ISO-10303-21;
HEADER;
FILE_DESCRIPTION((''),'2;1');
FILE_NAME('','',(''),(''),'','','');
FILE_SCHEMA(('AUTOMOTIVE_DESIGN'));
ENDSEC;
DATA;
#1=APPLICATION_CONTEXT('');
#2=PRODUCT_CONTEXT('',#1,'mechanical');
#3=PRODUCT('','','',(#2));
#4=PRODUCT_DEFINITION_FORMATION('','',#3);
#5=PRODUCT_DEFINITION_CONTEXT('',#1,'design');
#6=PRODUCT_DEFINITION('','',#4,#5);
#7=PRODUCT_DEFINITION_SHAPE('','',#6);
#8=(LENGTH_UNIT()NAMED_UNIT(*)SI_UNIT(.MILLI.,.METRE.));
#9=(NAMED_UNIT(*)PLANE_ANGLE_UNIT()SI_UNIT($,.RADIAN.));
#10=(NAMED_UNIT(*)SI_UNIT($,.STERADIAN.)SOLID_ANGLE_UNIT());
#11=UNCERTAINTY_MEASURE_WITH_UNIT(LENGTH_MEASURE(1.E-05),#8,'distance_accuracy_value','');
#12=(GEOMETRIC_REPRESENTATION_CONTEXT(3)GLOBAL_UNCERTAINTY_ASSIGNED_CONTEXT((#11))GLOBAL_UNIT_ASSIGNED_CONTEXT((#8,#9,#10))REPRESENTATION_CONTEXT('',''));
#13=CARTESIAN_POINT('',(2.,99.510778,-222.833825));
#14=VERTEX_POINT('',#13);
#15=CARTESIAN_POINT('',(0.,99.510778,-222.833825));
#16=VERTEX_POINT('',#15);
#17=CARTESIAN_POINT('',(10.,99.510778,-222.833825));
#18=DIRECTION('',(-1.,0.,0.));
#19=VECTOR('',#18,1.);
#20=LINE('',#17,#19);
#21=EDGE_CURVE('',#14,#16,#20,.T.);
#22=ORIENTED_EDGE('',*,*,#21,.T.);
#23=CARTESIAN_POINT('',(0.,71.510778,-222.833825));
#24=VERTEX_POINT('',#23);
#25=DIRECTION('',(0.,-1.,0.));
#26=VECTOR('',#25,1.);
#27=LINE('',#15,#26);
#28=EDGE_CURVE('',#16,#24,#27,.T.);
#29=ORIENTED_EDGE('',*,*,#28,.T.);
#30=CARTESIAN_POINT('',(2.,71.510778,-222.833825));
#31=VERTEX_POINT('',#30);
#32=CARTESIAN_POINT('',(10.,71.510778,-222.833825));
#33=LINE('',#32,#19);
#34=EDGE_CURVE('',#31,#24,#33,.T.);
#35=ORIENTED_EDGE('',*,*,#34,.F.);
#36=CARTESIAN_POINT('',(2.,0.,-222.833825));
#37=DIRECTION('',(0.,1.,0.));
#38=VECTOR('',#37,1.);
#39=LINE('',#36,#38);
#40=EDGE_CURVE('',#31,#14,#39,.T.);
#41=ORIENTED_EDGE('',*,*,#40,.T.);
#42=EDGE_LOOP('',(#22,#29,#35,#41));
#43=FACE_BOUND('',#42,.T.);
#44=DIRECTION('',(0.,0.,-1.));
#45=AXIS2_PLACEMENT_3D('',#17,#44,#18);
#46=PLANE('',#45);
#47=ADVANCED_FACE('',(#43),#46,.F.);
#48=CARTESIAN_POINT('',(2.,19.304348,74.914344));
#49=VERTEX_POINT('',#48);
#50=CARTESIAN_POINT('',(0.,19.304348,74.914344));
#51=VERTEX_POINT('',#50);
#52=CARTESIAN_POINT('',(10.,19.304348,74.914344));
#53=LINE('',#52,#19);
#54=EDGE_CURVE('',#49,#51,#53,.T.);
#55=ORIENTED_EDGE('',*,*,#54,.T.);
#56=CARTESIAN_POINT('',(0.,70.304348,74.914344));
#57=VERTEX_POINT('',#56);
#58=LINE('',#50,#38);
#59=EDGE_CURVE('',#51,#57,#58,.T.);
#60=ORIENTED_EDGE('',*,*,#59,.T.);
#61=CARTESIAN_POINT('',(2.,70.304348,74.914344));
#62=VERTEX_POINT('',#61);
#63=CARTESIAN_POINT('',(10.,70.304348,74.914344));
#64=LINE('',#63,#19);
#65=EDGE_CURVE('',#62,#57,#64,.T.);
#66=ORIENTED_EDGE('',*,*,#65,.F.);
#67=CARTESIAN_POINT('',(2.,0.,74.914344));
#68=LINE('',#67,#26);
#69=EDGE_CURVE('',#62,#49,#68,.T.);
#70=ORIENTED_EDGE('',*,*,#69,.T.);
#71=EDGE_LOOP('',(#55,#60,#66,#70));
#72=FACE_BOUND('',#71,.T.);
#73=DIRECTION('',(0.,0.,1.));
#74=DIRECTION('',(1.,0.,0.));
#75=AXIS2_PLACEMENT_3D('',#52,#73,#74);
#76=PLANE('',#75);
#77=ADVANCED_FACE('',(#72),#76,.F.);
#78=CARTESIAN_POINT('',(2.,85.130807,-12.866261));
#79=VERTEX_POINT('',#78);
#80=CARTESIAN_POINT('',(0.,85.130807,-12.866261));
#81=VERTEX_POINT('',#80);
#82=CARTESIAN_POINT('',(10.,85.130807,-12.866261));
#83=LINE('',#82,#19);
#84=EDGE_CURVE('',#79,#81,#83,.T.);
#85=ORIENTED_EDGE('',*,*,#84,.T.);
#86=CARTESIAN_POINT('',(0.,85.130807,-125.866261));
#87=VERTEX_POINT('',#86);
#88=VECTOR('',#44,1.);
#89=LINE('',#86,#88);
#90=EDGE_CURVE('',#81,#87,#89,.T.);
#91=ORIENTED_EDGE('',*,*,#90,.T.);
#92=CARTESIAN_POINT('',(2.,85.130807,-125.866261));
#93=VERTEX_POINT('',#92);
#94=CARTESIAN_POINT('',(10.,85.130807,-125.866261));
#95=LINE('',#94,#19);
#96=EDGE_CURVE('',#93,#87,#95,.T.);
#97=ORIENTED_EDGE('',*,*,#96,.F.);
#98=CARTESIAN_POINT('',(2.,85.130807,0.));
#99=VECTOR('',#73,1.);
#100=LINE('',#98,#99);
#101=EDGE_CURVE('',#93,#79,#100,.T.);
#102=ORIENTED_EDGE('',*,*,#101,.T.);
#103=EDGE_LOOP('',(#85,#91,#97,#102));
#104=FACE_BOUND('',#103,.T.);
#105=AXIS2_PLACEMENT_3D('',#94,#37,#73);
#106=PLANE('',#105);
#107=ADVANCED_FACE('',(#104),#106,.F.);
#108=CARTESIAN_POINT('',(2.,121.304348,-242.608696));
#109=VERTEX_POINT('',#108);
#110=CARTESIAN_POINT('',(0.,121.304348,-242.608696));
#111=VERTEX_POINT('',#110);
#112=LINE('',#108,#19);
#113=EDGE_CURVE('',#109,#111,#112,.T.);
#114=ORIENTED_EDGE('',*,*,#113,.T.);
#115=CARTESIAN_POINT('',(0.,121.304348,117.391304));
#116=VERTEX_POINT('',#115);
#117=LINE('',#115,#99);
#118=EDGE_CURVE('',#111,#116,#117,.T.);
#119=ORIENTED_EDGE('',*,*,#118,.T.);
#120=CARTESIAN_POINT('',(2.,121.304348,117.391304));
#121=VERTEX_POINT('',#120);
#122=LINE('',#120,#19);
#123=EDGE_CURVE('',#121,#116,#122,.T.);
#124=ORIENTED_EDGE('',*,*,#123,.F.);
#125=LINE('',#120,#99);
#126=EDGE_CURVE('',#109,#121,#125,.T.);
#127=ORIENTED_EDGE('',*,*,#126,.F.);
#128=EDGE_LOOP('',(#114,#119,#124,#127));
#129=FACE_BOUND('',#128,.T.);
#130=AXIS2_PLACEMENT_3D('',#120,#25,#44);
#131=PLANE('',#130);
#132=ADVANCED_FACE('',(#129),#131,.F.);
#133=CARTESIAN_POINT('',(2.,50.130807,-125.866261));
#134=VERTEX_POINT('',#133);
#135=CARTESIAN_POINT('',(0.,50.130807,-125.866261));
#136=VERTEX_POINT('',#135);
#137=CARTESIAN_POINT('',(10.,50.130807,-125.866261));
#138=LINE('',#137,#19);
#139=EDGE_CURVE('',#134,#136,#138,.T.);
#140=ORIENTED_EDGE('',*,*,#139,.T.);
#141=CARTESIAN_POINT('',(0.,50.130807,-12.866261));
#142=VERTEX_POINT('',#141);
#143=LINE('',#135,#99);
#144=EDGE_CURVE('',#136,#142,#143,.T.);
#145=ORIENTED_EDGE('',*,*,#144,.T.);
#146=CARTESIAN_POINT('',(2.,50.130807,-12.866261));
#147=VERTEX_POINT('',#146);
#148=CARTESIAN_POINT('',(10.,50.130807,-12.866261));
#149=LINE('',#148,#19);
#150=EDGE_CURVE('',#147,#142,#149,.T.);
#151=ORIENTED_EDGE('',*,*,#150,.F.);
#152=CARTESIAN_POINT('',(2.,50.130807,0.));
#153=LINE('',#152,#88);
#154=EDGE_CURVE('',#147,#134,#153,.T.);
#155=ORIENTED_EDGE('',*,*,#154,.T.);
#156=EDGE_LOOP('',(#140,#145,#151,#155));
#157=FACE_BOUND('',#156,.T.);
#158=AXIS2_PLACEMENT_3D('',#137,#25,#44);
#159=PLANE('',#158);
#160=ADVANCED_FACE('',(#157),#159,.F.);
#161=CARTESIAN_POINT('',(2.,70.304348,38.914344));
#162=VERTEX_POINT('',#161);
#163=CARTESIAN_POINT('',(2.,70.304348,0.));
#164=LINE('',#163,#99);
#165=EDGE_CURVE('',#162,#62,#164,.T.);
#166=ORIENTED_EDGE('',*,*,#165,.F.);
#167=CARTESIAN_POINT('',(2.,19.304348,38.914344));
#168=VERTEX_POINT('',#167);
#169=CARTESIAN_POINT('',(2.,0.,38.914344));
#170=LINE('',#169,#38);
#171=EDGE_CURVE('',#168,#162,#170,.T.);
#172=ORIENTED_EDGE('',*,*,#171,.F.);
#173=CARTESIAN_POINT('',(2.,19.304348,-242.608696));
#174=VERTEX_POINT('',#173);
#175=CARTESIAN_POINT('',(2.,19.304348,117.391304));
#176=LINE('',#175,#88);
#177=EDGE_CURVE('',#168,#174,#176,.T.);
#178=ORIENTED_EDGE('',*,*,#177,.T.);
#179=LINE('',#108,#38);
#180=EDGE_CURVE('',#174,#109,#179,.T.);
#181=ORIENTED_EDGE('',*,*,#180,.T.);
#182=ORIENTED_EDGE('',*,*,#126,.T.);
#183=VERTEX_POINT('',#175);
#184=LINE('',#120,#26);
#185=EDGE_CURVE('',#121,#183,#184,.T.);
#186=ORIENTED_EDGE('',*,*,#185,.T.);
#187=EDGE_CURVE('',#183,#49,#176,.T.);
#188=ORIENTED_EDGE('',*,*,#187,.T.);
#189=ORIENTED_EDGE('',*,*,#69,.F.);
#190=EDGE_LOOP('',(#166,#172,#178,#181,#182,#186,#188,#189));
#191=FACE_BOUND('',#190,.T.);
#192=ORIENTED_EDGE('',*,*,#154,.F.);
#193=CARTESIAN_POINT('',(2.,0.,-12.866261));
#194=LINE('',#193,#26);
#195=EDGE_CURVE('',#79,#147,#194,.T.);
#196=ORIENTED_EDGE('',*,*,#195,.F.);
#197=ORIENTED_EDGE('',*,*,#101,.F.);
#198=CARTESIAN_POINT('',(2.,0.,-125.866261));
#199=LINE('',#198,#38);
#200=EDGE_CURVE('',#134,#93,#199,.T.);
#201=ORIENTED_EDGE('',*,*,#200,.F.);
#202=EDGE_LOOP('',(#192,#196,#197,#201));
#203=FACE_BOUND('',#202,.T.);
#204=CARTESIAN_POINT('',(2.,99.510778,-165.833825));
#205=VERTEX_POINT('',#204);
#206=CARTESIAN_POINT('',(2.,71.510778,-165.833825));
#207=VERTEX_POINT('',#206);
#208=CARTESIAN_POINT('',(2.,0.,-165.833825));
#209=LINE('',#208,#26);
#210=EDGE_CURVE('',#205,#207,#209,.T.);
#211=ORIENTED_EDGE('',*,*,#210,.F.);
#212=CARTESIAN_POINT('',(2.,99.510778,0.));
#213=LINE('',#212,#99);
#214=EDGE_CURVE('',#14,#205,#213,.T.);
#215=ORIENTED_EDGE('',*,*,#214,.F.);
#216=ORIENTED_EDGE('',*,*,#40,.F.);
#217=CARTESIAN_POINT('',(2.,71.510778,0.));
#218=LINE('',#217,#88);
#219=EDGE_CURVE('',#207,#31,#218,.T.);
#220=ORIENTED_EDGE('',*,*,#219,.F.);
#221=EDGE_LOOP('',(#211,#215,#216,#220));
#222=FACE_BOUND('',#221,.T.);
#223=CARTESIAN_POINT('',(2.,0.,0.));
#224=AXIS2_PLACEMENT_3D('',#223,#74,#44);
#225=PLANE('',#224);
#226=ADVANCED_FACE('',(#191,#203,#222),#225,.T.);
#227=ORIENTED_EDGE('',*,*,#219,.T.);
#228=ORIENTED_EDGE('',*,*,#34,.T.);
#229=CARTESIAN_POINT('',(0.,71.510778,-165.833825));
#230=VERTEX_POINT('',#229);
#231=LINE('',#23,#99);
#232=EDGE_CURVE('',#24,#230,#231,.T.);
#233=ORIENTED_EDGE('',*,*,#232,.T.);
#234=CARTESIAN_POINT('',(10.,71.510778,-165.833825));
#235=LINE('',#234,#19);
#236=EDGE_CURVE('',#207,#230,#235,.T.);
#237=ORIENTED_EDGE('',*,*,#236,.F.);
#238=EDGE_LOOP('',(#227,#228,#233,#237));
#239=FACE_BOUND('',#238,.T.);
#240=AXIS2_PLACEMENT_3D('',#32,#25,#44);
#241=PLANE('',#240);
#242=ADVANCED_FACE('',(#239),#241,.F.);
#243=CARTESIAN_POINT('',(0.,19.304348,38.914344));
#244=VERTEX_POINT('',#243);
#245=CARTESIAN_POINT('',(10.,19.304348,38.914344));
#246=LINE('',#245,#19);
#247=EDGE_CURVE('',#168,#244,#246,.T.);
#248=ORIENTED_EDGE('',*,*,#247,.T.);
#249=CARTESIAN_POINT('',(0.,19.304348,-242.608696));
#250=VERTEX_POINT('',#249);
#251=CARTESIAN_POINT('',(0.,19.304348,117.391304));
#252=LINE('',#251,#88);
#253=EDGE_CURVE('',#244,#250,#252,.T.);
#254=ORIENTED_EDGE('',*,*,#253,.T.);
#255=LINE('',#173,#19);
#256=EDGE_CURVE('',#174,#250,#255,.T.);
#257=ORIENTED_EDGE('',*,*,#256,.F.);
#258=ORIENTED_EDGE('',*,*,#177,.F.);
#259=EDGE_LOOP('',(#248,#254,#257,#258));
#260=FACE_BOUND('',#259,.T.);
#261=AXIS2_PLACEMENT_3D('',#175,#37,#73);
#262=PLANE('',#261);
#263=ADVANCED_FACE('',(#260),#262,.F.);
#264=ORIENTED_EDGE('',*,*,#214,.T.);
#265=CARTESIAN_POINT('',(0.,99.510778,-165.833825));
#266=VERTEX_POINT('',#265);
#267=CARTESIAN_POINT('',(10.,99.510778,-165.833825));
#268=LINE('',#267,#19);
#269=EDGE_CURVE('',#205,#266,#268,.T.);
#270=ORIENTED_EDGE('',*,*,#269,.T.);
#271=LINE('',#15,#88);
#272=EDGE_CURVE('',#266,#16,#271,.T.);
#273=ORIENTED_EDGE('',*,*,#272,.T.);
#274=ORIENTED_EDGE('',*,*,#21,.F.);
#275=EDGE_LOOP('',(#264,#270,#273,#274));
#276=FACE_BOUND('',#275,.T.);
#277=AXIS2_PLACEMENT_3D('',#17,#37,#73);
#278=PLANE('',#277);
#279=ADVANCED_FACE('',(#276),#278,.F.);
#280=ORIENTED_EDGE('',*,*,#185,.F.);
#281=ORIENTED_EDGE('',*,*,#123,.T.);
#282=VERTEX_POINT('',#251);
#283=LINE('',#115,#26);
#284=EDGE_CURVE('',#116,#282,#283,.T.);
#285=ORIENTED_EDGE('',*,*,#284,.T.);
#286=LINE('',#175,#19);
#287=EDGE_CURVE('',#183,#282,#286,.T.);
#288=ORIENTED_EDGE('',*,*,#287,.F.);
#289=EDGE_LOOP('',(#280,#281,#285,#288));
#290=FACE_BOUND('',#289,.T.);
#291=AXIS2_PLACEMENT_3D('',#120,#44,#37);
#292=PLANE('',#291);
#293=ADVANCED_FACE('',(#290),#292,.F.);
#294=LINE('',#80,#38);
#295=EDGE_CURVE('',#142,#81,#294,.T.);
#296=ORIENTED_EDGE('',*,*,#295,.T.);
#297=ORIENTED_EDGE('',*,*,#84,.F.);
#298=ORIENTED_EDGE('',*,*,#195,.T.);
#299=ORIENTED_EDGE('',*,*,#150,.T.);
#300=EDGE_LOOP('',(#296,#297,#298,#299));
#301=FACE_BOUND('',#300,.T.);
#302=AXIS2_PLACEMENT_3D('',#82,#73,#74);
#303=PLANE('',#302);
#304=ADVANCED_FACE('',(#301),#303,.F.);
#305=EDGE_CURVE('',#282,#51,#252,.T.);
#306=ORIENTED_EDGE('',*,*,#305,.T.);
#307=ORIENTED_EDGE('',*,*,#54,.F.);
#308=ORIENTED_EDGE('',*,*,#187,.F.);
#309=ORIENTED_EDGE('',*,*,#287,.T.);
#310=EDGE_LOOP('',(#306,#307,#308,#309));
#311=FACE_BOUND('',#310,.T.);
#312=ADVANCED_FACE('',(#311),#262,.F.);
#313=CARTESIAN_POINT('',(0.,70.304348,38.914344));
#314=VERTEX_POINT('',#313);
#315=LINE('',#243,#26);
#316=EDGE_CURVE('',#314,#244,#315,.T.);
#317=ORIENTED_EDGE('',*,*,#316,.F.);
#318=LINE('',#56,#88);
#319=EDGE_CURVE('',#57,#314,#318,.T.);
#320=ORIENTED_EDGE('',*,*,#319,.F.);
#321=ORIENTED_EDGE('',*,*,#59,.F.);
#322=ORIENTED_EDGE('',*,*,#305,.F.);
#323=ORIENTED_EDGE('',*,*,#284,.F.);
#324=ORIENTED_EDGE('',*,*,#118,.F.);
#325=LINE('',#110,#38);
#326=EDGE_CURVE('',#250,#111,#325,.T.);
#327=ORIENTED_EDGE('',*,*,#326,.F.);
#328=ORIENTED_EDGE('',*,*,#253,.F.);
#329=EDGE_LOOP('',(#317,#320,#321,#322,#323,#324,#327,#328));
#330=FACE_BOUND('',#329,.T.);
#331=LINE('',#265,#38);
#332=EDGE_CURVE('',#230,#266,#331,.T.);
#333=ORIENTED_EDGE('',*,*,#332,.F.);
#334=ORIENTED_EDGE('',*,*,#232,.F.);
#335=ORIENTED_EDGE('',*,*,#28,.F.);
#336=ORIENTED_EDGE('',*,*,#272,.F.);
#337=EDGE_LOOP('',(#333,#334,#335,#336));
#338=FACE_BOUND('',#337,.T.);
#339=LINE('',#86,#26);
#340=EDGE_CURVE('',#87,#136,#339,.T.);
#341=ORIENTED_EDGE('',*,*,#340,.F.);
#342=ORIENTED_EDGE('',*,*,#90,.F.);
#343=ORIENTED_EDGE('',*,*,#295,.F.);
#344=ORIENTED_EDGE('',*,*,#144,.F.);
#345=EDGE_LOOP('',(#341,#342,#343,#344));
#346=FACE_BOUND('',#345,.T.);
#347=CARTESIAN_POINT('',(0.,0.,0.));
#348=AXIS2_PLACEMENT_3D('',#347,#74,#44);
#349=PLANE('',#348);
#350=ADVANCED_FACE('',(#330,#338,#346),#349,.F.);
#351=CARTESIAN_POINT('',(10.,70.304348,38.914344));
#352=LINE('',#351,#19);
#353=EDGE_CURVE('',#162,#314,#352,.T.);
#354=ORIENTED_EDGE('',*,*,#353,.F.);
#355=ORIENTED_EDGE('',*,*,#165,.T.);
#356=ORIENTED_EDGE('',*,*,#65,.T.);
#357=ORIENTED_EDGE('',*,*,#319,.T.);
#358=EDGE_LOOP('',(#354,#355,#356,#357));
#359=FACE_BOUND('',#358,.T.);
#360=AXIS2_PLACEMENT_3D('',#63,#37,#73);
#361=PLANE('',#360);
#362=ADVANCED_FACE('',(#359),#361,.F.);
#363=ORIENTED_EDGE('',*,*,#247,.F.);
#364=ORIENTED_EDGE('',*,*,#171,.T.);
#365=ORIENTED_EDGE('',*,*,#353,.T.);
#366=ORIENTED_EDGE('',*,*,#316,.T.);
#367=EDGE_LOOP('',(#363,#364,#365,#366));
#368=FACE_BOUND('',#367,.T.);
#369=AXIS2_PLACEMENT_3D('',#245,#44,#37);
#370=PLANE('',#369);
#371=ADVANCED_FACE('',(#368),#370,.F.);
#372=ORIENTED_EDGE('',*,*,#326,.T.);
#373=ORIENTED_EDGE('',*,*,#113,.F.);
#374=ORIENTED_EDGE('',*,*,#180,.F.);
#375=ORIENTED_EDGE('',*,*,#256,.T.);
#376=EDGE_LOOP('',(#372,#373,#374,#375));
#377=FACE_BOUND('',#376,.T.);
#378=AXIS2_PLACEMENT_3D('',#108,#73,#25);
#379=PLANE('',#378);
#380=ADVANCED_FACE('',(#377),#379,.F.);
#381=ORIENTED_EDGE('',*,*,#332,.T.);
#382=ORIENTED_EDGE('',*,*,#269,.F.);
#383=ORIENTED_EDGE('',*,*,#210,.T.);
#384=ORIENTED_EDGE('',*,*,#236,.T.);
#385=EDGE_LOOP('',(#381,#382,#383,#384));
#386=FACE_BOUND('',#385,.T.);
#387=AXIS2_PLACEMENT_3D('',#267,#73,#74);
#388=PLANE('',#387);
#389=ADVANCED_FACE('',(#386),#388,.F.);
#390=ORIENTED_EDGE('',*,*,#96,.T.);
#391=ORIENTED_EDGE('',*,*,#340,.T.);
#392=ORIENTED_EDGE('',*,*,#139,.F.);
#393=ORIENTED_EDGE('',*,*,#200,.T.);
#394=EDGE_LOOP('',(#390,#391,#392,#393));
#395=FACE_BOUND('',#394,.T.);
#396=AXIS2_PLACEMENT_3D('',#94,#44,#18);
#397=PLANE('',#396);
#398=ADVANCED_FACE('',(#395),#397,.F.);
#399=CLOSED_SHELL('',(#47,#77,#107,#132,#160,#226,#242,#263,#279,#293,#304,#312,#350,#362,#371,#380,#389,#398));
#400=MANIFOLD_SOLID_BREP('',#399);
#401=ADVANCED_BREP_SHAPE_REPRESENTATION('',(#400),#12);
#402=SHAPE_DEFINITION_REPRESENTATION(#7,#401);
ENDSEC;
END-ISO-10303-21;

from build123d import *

# Parameters (mm, degrees)
SKETCH1_W           = 360
SKETCH1_H           = 102
BOSS_EXTRUDE1_DEPTH = 2
SKETCH2_W           = 36
SKETCH2_H           = 51
SKETCH2_W_2         = 113
SKETCH2_H_2         = 35
CUT_EXTRUDE1_DEPTH  = 10
SKETCH3_W           = 57
SKETCH3_H           = 28
CUT_EXTRUDE2_DEPTH  = 10


with BuildPart() as part:
    # Sketch1 → Boss-Extrude1 (new body)
    with BuildSketch(Plane(origin=(0, 0, 0), x_dir=(0, 0, -1), z_dir=(1, 0, 0))):
        with Locations((62.608695652, 70.304347826)):
            Rectangle(SKETCH1_W, SKETCH1_H)
    extrude(amount=BOSS_EXTRUDE1_DEPTH)

    # Sketch2 → Cut-Extrude1 (cut)
    with BuildSketch(Plane.ZY):
        with Locations((56.914343826, 44.804347826)):
            Rectangle(SKETCH2_W, SKETCH2_H)
        with Locations((-69.366260537, 67.630807185)):
            Rectangle(SKETCH2_W_2, SKETCH2_H_2)
    extrude(amount=-CUT_EXTRUDE1_DEPTH, mode=Mode.SUBTRACT)

    # Sketch3 → Cut-Extrude2 (cut)
    with BuildSketch(Plane.ZY):
        with Locations((-194.333824882, 85.510777566)):
            Rectangle(SKETCH3_W, SKETCH3_H)
    extrude(amount=-CUT_EXTRUDE2_DEPTH, mode=Mode.SUBTRACT)


solid = part.part
